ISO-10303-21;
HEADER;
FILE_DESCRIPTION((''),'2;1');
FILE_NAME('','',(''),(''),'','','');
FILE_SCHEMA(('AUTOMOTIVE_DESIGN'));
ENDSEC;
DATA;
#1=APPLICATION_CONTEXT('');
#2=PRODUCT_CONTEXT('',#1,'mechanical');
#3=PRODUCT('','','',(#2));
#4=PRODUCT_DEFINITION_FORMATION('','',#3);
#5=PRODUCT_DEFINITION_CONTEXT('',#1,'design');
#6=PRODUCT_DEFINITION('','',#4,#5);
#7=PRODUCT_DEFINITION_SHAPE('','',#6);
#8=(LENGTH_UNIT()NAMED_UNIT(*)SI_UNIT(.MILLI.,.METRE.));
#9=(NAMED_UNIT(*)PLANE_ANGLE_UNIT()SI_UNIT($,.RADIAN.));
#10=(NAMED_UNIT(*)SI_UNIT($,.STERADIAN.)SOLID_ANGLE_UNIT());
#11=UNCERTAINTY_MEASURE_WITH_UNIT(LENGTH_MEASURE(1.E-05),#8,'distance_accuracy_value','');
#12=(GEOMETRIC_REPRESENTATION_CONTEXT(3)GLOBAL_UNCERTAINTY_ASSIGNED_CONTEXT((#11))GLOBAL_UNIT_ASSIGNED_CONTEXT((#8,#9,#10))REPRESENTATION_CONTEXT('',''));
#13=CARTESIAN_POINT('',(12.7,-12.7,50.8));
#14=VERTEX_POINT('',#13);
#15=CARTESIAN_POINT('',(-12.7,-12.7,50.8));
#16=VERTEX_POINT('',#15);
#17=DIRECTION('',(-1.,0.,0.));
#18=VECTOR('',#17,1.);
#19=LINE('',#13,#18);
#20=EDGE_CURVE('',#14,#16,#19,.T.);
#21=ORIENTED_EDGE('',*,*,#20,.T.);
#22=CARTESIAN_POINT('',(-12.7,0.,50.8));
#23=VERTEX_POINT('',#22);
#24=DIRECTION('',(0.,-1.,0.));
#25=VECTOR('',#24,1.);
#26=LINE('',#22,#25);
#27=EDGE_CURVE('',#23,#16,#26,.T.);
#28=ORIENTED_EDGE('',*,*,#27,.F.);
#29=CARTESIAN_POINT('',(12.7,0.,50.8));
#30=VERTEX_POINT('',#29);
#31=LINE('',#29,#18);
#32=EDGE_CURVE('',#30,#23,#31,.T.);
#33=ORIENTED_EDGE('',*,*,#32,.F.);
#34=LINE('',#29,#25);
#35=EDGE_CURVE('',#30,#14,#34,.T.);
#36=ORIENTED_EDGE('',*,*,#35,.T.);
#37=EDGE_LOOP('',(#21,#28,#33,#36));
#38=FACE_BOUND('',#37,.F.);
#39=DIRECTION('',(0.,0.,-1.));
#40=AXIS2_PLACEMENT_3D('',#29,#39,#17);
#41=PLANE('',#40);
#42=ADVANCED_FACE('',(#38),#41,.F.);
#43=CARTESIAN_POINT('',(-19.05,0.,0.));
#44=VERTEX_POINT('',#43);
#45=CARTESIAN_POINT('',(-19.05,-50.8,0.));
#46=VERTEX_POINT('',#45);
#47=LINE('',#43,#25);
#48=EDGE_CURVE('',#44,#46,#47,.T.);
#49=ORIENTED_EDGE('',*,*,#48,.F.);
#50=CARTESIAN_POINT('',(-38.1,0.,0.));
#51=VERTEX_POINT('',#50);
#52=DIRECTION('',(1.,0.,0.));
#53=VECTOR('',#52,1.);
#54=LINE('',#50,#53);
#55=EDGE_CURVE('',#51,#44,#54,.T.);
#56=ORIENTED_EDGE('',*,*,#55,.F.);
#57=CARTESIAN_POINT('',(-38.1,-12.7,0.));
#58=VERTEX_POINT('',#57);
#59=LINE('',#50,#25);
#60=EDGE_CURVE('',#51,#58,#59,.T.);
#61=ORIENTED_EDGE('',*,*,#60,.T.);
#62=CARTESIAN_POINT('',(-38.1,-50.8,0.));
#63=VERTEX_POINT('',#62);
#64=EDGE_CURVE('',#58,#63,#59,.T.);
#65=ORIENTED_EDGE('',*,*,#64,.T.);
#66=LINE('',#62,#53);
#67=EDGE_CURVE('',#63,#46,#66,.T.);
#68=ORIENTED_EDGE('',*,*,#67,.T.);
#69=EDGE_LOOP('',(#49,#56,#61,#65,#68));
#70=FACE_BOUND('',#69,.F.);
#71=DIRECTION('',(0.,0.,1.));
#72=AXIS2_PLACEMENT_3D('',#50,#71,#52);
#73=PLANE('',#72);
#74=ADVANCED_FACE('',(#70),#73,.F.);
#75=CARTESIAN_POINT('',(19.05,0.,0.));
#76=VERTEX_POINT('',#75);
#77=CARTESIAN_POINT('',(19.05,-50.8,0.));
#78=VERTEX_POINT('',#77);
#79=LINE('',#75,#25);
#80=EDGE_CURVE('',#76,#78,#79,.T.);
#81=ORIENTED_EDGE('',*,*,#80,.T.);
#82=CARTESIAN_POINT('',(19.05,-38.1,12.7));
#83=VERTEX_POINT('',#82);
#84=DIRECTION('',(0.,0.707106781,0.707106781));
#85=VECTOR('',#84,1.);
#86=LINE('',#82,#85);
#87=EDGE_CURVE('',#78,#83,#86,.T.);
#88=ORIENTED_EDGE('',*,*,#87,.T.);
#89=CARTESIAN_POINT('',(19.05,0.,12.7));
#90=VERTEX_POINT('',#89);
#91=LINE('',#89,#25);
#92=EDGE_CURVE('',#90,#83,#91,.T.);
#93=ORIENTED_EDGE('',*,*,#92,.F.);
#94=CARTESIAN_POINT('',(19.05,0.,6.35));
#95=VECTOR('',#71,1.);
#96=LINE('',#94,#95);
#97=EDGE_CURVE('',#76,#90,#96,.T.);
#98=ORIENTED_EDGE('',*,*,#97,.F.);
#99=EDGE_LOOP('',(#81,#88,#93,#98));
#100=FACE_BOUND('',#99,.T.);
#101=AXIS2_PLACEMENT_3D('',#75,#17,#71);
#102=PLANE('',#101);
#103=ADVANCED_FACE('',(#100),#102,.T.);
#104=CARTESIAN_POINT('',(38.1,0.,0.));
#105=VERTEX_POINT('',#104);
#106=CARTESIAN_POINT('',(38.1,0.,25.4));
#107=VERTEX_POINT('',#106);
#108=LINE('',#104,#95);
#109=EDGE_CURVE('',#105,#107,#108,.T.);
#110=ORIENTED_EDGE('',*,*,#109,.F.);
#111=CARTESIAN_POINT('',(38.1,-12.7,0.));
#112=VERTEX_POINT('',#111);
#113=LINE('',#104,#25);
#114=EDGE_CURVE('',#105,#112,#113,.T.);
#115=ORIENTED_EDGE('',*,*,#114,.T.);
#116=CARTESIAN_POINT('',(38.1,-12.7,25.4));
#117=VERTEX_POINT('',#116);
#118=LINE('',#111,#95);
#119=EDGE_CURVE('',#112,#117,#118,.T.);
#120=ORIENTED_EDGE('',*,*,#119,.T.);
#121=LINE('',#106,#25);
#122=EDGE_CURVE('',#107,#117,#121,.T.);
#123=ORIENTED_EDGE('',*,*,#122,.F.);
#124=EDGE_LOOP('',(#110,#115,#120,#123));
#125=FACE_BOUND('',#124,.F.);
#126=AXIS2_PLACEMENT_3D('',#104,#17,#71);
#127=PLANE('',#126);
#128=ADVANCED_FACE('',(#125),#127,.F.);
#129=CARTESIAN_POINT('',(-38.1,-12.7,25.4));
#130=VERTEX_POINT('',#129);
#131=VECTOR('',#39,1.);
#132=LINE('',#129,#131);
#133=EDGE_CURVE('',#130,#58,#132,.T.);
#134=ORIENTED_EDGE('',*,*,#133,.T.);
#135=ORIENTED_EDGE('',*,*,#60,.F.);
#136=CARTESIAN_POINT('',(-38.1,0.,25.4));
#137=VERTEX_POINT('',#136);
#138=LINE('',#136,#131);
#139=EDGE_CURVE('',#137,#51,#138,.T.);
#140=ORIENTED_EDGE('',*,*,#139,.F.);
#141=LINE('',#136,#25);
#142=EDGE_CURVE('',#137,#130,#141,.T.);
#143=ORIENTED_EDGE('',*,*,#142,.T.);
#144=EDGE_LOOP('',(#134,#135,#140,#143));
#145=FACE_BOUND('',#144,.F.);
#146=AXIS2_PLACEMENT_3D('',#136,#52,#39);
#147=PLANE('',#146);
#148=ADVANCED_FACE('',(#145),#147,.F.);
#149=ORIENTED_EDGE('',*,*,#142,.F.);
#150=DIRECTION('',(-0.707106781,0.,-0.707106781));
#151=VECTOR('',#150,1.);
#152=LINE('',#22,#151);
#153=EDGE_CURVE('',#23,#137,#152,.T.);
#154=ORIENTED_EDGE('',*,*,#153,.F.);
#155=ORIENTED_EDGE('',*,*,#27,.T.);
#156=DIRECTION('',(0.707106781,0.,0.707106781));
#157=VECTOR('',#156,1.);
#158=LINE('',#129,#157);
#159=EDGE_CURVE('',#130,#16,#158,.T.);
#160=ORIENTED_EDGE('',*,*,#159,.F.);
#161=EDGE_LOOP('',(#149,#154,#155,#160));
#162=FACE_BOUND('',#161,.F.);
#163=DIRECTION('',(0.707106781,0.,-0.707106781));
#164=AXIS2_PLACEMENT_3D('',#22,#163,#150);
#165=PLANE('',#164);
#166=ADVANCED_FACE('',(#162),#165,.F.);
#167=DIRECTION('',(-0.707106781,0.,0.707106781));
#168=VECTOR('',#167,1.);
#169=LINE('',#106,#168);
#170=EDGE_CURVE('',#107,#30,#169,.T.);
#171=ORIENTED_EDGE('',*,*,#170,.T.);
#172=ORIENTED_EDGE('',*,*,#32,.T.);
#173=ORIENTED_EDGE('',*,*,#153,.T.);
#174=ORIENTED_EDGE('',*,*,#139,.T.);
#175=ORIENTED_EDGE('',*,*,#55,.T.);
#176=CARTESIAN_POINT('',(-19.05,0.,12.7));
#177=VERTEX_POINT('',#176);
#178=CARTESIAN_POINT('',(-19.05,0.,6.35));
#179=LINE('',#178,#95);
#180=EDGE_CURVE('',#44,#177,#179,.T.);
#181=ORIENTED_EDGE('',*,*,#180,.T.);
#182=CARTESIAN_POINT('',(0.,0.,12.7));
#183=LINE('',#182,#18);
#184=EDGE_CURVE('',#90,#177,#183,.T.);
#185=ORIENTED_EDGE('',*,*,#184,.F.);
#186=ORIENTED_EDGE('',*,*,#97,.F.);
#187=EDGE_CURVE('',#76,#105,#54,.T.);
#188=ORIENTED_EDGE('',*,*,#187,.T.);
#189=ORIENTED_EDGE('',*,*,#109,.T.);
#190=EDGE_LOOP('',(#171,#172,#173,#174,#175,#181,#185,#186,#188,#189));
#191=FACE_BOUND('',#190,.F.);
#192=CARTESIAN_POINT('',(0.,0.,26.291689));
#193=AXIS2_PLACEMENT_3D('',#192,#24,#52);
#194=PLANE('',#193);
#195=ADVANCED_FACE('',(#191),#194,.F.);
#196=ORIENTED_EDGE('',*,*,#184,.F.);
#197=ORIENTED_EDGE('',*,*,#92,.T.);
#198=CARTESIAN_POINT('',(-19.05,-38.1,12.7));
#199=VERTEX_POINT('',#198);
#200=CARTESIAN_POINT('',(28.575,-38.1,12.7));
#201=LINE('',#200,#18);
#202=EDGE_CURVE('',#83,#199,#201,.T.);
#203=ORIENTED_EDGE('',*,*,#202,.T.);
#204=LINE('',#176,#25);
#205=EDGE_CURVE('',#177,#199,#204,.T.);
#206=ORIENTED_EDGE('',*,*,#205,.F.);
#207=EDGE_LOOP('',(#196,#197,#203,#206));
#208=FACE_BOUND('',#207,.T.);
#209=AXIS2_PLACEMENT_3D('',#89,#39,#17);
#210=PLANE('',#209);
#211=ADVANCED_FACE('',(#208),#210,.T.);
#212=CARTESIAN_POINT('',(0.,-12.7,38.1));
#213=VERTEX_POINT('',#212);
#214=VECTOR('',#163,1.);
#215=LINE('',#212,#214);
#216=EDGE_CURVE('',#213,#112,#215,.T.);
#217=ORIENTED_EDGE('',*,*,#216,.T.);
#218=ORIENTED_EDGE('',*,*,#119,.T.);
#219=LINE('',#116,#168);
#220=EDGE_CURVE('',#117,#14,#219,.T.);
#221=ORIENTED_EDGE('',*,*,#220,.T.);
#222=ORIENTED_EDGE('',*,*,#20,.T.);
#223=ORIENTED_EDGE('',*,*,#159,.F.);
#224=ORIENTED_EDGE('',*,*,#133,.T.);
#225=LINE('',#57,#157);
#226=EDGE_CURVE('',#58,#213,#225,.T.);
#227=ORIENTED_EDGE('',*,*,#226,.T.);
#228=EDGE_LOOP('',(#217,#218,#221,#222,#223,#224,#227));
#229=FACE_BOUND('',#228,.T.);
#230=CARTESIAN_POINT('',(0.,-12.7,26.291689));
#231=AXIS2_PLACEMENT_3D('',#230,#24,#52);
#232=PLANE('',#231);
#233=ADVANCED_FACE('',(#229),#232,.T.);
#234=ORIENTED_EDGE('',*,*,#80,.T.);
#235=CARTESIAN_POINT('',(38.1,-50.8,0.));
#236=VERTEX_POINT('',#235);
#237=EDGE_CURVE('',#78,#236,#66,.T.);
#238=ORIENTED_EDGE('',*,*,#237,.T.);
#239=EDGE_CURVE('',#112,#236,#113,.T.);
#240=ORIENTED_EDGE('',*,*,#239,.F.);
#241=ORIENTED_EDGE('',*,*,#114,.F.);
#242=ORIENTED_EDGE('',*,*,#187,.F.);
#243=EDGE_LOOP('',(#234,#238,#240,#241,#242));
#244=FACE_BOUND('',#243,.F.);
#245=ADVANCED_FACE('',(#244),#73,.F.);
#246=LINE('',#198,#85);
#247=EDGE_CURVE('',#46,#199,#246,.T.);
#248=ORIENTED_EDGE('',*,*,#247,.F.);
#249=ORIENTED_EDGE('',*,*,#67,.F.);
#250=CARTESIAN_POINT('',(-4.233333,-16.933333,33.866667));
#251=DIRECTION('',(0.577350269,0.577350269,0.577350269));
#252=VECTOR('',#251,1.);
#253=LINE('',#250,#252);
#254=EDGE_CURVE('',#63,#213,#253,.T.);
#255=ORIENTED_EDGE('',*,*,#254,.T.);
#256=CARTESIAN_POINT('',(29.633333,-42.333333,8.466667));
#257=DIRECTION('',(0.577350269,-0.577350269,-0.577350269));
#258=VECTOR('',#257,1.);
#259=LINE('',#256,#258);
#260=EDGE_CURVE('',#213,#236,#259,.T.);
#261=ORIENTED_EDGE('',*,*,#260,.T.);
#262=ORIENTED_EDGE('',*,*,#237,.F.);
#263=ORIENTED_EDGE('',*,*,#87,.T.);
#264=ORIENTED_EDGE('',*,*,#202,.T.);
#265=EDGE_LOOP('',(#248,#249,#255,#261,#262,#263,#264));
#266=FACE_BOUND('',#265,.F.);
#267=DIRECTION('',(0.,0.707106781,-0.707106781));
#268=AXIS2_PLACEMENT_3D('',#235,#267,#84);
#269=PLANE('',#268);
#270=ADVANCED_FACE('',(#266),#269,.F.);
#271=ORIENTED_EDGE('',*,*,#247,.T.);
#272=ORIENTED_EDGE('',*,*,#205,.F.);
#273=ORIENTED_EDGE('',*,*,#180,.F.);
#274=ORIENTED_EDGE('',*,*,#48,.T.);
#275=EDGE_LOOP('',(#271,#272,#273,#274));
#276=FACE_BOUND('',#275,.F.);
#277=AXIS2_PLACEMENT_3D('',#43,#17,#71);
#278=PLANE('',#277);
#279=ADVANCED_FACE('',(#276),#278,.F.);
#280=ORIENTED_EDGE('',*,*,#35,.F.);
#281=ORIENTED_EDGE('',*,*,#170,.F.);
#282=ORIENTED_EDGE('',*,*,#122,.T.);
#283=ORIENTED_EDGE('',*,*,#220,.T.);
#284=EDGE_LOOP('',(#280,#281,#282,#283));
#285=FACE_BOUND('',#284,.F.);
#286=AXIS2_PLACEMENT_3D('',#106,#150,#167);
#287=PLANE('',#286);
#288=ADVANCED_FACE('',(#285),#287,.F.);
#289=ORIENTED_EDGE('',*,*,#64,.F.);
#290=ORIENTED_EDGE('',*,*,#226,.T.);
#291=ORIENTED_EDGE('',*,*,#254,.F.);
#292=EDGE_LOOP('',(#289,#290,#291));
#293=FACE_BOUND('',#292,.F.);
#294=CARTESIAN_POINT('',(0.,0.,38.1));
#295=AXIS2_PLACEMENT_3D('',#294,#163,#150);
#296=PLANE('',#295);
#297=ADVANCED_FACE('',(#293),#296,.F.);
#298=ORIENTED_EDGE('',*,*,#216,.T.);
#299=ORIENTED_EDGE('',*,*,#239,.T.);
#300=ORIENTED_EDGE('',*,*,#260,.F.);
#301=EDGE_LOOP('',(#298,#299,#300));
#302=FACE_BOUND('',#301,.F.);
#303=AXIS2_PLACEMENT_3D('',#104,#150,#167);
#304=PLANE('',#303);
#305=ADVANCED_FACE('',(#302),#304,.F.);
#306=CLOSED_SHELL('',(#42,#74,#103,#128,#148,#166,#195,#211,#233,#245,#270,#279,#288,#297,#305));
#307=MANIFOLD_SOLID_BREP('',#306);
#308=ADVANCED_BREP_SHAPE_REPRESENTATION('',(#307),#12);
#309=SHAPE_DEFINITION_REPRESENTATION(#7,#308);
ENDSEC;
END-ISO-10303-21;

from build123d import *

# Parameters (mm, degrees)
F1_DEPTH = 50.8
F2_DEPTH = 12.7
F4_DEPTH = 76.201
F5_W     = 38.1
F5_H     = 12.7
F6_DEPTH = 50.801


with BuildPart() as f1:
    # F0 (on Front) → F1 (new body)
    with BuildSketch(Plane.XZ):
        Polygon((-38.1, 0), (0, 0), (38.1, 0), (0, 38.1), align=None)
    extrude(amount=F1_DEPTH)

    # F0 (on Front) → F2 (join)
    with BuildSketch(Plane.XZ):
        Polygon((-38.1, 25.4), (-38.1, 0), (0, 38.1), (38.1, 0), (38.1, 25.4), (12.7, 50.8), (-12.7, 50.8), align=None)
    extrude(amount=F2_DEPTH)

    # F3 (on face) → F4 (cut, through all)
    with BuildSketch(Plane.YZ.offset(38.1)):
        Polygon((-12.7, 38.1), (-50.8, 38.1), (-50.8, 0), align=None)
    extrude(amount=-F4_DEPTH, mode=Mode.SUBTRACT)

    # F5 (on face) → F6 (cut, through all)
    with BuildSketch(Plane(origin=(0, 0, 0), x_dir=(-1, 0, 0), z_dir=(0, 1, 0))):
        with Locations((0, 6.35)):
            Rectangle(F5_W, F5_H)
    extrude(amount=-F6_DEPTH, mode=Mode.SUBTRACT)


solid = f1.part
